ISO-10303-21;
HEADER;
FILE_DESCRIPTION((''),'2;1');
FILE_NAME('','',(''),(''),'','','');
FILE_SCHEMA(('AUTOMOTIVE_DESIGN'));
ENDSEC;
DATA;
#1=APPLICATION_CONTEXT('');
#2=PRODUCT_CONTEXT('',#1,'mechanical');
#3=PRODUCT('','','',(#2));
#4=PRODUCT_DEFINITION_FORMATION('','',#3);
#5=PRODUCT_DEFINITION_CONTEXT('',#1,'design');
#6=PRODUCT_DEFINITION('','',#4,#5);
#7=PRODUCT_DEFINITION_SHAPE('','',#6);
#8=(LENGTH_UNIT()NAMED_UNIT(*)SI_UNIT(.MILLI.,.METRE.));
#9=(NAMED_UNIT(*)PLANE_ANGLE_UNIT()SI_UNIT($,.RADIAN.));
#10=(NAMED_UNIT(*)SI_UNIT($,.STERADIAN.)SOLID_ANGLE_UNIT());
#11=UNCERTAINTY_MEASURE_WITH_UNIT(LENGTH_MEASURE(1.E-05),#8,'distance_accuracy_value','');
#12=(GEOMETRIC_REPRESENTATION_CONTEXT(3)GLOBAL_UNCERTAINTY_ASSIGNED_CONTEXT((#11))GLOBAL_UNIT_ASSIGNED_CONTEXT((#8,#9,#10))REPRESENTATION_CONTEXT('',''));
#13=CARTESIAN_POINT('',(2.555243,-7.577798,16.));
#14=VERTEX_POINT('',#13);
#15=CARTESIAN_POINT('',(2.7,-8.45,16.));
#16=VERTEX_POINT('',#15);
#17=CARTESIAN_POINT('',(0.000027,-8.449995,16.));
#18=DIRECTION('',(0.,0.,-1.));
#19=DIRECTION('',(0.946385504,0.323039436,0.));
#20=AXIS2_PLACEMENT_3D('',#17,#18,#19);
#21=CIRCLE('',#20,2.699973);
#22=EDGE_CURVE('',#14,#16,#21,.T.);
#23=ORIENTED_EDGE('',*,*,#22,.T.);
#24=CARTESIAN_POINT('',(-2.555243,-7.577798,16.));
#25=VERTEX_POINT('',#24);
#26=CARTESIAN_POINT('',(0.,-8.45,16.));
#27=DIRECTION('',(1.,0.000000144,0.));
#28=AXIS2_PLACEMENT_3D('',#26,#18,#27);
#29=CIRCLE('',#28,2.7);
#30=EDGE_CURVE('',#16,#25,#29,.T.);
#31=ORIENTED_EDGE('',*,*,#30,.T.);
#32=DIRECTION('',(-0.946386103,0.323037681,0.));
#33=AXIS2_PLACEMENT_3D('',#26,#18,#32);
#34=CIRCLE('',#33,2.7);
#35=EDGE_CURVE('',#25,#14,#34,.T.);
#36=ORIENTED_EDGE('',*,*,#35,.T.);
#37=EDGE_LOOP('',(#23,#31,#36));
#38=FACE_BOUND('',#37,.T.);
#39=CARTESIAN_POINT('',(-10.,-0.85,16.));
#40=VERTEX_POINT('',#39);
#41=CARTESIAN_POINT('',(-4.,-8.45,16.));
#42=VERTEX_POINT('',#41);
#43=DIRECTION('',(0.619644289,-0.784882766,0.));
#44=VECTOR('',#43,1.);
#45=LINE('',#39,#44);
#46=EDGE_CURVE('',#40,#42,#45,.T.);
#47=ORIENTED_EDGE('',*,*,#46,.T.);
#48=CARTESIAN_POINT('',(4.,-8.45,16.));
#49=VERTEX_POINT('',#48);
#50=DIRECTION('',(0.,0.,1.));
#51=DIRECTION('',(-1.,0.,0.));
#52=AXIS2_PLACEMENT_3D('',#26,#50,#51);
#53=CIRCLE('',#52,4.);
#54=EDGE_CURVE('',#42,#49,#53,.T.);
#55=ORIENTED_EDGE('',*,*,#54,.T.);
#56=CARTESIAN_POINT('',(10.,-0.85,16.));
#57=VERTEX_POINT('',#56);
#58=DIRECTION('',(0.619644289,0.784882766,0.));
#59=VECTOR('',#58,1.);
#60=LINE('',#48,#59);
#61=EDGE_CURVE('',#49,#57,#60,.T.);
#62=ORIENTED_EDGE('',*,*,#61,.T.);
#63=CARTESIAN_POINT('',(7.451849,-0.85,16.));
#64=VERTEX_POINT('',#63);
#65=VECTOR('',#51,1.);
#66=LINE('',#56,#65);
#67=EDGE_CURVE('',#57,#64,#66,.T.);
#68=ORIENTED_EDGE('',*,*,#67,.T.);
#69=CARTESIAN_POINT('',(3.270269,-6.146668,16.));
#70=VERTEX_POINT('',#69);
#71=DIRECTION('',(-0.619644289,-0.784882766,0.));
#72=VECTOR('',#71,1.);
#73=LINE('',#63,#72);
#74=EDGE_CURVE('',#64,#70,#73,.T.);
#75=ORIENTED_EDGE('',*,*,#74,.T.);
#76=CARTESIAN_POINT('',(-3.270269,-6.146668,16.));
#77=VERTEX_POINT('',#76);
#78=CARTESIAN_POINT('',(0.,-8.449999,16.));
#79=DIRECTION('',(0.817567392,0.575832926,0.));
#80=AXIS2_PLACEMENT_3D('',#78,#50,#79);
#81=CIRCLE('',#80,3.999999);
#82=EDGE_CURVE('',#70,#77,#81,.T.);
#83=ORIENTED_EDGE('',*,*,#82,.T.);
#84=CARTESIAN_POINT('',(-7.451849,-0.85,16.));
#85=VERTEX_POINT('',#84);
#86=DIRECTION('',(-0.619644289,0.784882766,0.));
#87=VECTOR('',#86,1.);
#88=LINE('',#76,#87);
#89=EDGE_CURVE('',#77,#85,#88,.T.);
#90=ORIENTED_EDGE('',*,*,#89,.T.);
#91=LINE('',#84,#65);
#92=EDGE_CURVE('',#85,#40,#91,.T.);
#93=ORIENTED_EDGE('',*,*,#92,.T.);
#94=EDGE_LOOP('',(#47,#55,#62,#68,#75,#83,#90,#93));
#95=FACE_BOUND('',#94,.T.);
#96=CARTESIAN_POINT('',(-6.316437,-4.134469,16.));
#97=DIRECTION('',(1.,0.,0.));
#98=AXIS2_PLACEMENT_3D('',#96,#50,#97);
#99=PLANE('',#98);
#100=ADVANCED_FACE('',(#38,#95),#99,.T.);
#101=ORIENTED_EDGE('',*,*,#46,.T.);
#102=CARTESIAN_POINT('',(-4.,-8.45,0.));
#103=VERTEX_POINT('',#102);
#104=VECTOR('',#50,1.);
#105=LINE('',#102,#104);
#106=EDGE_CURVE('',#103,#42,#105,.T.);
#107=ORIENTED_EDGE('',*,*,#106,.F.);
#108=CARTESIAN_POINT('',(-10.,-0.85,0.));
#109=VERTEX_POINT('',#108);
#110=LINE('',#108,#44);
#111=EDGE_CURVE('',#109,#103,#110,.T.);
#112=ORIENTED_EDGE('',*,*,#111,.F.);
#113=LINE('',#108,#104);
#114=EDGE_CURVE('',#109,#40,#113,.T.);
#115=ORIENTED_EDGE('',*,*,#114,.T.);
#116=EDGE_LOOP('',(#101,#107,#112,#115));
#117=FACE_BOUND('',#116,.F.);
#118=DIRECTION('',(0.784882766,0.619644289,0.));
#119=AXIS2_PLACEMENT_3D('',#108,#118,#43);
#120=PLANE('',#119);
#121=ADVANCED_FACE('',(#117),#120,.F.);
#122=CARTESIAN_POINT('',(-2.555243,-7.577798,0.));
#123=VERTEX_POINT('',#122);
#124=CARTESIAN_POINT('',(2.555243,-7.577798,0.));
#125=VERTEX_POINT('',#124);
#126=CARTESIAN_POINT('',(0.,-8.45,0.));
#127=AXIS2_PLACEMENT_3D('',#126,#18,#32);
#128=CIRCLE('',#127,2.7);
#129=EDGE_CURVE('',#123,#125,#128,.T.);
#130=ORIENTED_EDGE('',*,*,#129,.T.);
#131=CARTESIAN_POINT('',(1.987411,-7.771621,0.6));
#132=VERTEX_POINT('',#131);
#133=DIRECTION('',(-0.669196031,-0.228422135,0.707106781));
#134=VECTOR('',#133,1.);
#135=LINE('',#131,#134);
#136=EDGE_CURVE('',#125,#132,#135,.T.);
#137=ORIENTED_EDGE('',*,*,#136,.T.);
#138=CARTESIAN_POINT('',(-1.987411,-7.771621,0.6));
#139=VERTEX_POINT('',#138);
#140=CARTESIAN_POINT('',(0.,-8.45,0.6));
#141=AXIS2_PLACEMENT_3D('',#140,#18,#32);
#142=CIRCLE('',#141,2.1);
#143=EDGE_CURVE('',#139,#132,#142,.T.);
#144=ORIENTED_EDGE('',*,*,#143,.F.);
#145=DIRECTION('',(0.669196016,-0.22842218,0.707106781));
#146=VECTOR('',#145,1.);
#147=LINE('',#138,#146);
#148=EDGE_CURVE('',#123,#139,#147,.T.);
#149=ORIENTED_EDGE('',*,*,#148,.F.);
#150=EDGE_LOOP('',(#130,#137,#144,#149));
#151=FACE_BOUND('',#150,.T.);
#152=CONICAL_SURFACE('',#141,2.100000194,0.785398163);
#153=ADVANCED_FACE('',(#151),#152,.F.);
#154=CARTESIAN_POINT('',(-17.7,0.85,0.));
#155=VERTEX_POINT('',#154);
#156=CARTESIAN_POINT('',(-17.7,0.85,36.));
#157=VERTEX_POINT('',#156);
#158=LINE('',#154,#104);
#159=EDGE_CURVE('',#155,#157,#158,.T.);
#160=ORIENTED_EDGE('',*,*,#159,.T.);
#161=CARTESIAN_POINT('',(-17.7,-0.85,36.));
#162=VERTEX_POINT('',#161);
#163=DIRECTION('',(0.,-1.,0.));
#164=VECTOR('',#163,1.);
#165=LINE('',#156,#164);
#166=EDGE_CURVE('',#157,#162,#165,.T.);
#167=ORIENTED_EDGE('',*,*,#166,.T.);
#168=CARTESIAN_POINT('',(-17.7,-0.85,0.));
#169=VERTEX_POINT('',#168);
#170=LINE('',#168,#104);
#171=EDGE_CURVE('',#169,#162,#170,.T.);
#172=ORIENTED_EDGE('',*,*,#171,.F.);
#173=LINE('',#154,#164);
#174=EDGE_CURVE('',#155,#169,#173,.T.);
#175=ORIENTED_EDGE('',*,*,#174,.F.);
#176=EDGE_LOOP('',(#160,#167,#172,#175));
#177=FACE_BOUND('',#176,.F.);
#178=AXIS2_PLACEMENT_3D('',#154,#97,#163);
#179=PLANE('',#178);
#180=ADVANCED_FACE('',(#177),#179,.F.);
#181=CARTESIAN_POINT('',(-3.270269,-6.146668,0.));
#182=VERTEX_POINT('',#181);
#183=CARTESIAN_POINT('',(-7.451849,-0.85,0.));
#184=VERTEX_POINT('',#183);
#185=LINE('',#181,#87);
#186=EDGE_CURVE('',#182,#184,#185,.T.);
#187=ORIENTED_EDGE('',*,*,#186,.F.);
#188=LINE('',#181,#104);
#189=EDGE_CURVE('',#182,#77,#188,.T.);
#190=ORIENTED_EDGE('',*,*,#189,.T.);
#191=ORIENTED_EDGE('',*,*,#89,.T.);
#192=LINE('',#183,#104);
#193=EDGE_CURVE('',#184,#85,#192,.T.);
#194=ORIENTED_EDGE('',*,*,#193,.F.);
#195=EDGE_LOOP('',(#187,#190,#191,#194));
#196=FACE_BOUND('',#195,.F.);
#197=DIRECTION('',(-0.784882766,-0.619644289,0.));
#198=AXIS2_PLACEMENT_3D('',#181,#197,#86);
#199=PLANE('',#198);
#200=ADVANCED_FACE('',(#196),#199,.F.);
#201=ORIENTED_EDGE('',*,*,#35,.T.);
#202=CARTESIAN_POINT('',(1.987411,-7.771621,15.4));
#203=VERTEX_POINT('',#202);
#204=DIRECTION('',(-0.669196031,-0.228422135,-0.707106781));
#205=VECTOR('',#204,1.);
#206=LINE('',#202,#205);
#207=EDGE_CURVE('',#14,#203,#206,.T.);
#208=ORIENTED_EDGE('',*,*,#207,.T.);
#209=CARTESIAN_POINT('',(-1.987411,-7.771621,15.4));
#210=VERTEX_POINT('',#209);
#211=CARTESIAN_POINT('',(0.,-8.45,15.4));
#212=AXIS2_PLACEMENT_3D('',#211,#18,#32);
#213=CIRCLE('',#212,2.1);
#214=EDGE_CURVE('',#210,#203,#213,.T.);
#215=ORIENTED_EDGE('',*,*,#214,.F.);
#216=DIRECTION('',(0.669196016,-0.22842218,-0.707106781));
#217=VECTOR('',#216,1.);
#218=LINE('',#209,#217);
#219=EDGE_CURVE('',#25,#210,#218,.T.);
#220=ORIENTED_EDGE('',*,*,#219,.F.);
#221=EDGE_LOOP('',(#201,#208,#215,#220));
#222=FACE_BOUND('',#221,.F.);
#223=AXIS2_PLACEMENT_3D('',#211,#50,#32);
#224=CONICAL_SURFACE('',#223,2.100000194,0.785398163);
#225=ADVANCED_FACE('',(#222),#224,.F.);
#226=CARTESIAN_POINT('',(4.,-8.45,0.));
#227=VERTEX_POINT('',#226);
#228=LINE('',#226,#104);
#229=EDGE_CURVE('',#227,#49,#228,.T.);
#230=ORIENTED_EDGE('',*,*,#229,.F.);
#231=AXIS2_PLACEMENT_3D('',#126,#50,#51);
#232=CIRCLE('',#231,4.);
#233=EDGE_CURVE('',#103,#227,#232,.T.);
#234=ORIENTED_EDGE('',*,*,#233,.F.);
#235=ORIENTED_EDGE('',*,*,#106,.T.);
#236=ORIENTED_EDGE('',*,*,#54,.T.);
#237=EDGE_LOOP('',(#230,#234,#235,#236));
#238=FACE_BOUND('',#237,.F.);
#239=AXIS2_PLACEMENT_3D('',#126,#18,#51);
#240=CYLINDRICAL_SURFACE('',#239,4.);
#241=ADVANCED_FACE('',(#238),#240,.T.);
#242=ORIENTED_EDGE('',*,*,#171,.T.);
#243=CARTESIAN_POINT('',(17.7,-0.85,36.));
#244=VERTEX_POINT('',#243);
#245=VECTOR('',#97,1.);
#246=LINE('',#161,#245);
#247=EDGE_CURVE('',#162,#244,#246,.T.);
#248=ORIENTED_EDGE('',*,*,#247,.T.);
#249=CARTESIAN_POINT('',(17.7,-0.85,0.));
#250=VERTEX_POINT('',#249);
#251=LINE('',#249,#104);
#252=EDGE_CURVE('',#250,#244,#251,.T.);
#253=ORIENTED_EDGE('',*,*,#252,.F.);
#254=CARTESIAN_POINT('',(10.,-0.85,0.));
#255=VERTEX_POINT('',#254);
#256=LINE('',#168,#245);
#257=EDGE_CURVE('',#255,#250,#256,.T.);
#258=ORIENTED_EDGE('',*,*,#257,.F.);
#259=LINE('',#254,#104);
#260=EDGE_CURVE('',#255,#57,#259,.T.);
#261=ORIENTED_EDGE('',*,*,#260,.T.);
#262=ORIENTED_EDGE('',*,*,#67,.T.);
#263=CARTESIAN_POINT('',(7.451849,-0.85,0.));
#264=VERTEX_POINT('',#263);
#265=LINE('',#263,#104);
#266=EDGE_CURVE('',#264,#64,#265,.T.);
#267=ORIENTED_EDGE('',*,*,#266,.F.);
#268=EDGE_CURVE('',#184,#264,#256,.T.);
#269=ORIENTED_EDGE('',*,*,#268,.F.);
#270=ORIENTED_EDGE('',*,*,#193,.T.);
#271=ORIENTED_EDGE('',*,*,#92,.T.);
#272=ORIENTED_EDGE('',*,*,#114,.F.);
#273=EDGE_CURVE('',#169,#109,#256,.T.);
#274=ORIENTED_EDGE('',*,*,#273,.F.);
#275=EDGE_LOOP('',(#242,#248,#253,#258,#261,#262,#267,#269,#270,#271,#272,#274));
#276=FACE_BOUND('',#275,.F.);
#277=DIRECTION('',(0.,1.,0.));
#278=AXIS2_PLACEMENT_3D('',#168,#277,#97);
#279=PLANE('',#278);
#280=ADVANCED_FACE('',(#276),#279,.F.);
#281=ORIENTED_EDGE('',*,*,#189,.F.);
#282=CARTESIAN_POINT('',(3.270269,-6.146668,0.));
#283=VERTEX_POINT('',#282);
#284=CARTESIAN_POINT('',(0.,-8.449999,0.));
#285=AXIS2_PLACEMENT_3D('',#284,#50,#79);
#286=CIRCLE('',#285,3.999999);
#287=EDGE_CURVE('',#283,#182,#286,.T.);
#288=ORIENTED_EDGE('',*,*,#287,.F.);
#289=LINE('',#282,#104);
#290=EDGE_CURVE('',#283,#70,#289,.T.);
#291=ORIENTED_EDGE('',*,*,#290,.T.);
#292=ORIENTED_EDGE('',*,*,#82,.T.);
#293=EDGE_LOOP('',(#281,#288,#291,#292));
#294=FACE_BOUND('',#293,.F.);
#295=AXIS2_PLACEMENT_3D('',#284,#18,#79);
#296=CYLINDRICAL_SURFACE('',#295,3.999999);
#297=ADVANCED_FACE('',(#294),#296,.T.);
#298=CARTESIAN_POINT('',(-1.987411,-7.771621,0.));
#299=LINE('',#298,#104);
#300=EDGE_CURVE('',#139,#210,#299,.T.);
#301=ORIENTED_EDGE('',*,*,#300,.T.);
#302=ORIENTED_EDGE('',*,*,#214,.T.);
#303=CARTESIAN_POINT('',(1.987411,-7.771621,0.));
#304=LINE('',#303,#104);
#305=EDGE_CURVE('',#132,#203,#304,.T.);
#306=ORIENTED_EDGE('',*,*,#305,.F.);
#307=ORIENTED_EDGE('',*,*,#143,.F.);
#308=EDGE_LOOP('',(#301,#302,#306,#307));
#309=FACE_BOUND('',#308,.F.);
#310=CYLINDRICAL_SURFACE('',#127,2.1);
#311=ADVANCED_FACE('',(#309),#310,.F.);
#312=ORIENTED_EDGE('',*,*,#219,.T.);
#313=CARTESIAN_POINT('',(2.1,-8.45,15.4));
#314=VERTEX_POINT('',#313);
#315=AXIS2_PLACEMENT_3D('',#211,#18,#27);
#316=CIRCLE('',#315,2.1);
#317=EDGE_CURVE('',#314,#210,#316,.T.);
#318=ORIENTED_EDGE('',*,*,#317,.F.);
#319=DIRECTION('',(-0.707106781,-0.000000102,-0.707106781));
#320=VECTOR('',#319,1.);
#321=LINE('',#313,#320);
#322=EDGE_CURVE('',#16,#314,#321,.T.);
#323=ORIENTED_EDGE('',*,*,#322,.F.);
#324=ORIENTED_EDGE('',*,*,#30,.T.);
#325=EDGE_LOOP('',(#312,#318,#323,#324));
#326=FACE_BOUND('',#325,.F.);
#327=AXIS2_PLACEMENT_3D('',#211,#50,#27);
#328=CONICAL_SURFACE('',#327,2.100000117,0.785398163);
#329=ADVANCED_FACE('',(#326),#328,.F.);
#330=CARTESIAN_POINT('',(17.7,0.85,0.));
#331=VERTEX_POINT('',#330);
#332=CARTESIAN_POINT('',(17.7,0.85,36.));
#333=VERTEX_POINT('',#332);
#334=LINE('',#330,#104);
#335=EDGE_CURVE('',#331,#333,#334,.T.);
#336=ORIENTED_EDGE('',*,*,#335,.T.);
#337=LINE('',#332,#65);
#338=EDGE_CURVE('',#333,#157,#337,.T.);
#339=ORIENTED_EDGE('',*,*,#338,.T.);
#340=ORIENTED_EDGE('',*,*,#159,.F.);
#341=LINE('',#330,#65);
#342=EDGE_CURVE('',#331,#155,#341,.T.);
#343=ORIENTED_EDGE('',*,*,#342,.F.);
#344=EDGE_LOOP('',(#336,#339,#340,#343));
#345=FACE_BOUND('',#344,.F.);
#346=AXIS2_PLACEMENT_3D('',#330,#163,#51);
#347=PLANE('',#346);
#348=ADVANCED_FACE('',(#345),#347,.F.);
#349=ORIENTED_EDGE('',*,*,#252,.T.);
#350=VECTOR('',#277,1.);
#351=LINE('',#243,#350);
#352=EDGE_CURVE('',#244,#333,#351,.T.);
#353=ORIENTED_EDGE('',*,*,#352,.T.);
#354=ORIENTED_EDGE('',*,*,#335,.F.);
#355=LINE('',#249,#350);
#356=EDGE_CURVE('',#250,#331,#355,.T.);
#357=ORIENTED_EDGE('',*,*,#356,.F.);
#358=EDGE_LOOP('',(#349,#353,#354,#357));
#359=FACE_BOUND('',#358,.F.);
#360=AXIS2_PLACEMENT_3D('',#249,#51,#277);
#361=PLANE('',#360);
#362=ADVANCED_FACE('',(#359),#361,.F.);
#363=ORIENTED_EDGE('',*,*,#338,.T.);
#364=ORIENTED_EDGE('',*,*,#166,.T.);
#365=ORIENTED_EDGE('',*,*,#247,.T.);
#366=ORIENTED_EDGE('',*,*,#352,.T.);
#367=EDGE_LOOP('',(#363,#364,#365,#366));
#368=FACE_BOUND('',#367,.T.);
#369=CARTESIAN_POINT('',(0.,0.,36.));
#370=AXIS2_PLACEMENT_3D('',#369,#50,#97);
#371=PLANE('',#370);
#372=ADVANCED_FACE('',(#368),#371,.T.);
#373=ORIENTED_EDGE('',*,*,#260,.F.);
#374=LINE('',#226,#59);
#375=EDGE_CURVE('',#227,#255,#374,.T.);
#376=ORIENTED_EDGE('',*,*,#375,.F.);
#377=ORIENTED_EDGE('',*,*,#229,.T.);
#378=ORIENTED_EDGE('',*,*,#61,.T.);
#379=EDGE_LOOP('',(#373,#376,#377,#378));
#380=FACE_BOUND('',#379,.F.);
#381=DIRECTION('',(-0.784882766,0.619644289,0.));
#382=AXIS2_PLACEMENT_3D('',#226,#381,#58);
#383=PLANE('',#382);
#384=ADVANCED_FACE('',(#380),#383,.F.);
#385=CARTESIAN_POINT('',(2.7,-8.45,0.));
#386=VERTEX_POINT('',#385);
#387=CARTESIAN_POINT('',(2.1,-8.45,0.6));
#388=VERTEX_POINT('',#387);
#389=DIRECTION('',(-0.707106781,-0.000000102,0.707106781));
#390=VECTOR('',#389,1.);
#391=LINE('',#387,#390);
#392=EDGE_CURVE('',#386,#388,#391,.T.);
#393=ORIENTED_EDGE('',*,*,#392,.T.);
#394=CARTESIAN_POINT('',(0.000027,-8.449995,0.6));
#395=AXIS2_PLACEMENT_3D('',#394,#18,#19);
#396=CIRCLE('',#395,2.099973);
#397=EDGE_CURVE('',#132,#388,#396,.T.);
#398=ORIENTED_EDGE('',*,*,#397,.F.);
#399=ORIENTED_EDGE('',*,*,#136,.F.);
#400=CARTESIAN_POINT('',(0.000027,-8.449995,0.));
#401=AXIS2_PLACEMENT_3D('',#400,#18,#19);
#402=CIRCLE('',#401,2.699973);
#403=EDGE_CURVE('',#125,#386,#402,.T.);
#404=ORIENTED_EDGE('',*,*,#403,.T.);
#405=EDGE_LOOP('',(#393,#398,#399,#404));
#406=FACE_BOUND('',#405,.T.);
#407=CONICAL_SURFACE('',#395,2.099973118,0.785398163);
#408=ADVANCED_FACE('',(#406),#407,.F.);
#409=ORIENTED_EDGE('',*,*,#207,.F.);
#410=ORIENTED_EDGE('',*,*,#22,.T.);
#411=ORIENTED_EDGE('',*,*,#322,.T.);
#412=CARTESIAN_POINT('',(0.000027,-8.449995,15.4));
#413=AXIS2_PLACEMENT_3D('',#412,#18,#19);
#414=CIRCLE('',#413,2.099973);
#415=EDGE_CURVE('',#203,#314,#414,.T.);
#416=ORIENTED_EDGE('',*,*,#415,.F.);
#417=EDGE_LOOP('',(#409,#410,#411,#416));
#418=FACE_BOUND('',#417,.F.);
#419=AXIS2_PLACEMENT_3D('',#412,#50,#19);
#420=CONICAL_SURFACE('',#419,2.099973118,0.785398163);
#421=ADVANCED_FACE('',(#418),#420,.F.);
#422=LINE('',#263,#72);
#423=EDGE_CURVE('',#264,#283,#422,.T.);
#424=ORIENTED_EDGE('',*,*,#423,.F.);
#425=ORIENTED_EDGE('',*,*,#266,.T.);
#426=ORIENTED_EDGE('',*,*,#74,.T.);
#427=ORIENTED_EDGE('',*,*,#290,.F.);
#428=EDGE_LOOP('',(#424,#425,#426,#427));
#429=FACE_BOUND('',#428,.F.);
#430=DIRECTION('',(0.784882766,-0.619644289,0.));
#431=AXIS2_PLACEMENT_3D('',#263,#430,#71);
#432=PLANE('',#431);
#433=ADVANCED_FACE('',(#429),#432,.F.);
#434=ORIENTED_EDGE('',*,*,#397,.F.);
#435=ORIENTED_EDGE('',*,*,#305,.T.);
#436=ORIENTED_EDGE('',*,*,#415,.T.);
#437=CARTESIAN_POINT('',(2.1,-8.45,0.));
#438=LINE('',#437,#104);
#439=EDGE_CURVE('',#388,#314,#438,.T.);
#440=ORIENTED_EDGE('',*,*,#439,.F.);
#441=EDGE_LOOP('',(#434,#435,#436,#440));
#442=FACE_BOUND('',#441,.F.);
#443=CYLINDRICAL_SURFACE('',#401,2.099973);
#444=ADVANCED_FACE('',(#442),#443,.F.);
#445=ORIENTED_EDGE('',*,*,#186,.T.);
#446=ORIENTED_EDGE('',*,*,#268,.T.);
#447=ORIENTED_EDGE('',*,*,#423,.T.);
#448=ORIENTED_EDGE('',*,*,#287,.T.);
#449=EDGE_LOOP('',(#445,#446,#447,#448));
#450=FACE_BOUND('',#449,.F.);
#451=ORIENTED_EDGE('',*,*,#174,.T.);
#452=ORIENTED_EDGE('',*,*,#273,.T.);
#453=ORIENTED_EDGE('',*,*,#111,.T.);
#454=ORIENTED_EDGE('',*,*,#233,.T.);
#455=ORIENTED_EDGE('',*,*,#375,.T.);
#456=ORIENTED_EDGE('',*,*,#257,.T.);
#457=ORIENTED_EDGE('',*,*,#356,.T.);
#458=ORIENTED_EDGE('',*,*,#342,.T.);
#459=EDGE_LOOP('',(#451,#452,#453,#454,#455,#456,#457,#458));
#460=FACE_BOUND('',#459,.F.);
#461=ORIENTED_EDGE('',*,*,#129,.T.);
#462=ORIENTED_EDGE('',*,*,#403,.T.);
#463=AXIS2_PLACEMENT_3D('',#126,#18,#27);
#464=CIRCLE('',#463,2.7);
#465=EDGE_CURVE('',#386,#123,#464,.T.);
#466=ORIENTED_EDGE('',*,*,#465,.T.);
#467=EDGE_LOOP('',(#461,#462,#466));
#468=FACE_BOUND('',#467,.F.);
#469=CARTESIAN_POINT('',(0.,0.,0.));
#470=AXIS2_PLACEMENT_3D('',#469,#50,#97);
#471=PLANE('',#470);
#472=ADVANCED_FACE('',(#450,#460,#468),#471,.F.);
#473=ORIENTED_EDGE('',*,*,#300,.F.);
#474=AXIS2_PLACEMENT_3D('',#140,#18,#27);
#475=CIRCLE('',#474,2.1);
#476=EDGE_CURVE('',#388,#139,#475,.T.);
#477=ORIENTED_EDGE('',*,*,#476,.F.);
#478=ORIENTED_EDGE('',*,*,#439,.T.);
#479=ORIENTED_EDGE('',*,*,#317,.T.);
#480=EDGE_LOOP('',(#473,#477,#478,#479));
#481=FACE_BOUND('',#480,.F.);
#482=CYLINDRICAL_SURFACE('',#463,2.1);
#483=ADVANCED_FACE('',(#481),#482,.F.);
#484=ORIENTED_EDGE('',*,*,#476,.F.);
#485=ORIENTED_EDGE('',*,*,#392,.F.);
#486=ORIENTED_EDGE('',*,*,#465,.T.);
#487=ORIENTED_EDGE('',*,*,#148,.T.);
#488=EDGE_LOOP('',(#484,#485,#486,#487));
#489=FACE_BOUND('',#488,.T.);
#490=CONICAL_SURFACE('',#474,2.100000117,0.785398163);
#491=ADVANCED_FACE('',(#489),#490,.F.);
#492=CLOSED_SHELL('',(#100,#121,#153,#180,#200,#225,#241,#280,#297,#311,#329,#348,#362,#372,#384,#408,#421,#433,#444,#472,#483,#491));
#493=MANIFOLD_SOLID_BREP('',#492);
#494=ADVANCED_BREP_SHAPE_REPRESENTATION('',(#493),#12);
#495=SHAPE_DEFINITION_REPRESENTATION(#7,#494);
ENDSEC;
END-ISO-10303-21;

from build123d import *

# Parameters (mm, degrees)
F1_DEPTH = 36
F2_DEPTH = 16
F3_SIZE  = 0.6


with BuildPart() as f1:
    # F0 (on Top) → F1 (new body)
    with BuildSketch(Plane.XY):
        Polygon((-7.451849, -0.85), (7.451849, -0.85), (10, -0.85), (17.7, -0.85), (17.7, 0.85), (-17.7, 0.85), (-17.7, -0.85), (-10, -0.85), align=None)
    extrude(amount=F1_DEPTH)

    # F0 (on Top) → F2 (join)
    with BuildSketch(Plane.XY):
        with BuildLine():
            ThreePointArc((-4, -8.45), (-3.813206, -7.241918), (-3.270269, -6.146668))
            Line((-3.270269, -6.146668), (-7.451849, -0.85))
            Line((-7.451849, -0.85), (-10, -0.85))
            Line((-10, -0.85), (-4, -8.45))
        make_face()
        with BuildLine():
            Line((7.451849, -0.85), (3.270269, -6.146668))
            ThreePointArc((3.270269, -6.146668), (3.813206, -7.241918), (4, -8.45))
            Line((4, -8.45), (10, -0.85))
            Line((10, -0.85), (7.451849, -0.85))
        make_face()
        with BuildLine():
            ThreePointArc((-1.987411, -7.771621), (0, -6.35), (1.987411, -7.771621))
            Line((1.987411, -7.771621), (3.270269, -6.146668))
            ThreePointArc((3.270269, -6.146668), (0, -4.45), (-3.270269, -6.146668))
            Line((-3.270269, -6.146668), (-1.987411, -7.771621))
        make_face()
        with BuildLine():
            ThreePointArc((1.987411, -7.771621), (2.071662, -8.106171), (2.1, -8.45))
            ThreePointArc((2.1, -8.45), (-0.343829, -10.521662), (-1.987411, -7.771621))
            Line((-1.987411, -7.771621), (-3.270269, -6.146668))
            ThreePointArc((-3.270269, -6.146668), (-3.813206, -7.241918), (-4, -8.45))
            ThreePointArc((-4, -8.45), (0, -12.45), (4, -8.45))
            ThreePointArc((4, -8.45), (3.813206, -7.241918), (3.270269, -6.146668))
            Line((3.270269, -6.146668), (1.987411, -7.771621))
        make_face()
    extrude(amount=F2_DEPTH)

    # F3
    f3_edges = [f1.edges().sort_by_distance(p)[0] for p in [
        (1.987411, -9.128379, 0),
        (1.987411, -9.128379, 16),
    ]]
    chamfer(f3_edges, length=F3_SIZE)


solid = f1.part
